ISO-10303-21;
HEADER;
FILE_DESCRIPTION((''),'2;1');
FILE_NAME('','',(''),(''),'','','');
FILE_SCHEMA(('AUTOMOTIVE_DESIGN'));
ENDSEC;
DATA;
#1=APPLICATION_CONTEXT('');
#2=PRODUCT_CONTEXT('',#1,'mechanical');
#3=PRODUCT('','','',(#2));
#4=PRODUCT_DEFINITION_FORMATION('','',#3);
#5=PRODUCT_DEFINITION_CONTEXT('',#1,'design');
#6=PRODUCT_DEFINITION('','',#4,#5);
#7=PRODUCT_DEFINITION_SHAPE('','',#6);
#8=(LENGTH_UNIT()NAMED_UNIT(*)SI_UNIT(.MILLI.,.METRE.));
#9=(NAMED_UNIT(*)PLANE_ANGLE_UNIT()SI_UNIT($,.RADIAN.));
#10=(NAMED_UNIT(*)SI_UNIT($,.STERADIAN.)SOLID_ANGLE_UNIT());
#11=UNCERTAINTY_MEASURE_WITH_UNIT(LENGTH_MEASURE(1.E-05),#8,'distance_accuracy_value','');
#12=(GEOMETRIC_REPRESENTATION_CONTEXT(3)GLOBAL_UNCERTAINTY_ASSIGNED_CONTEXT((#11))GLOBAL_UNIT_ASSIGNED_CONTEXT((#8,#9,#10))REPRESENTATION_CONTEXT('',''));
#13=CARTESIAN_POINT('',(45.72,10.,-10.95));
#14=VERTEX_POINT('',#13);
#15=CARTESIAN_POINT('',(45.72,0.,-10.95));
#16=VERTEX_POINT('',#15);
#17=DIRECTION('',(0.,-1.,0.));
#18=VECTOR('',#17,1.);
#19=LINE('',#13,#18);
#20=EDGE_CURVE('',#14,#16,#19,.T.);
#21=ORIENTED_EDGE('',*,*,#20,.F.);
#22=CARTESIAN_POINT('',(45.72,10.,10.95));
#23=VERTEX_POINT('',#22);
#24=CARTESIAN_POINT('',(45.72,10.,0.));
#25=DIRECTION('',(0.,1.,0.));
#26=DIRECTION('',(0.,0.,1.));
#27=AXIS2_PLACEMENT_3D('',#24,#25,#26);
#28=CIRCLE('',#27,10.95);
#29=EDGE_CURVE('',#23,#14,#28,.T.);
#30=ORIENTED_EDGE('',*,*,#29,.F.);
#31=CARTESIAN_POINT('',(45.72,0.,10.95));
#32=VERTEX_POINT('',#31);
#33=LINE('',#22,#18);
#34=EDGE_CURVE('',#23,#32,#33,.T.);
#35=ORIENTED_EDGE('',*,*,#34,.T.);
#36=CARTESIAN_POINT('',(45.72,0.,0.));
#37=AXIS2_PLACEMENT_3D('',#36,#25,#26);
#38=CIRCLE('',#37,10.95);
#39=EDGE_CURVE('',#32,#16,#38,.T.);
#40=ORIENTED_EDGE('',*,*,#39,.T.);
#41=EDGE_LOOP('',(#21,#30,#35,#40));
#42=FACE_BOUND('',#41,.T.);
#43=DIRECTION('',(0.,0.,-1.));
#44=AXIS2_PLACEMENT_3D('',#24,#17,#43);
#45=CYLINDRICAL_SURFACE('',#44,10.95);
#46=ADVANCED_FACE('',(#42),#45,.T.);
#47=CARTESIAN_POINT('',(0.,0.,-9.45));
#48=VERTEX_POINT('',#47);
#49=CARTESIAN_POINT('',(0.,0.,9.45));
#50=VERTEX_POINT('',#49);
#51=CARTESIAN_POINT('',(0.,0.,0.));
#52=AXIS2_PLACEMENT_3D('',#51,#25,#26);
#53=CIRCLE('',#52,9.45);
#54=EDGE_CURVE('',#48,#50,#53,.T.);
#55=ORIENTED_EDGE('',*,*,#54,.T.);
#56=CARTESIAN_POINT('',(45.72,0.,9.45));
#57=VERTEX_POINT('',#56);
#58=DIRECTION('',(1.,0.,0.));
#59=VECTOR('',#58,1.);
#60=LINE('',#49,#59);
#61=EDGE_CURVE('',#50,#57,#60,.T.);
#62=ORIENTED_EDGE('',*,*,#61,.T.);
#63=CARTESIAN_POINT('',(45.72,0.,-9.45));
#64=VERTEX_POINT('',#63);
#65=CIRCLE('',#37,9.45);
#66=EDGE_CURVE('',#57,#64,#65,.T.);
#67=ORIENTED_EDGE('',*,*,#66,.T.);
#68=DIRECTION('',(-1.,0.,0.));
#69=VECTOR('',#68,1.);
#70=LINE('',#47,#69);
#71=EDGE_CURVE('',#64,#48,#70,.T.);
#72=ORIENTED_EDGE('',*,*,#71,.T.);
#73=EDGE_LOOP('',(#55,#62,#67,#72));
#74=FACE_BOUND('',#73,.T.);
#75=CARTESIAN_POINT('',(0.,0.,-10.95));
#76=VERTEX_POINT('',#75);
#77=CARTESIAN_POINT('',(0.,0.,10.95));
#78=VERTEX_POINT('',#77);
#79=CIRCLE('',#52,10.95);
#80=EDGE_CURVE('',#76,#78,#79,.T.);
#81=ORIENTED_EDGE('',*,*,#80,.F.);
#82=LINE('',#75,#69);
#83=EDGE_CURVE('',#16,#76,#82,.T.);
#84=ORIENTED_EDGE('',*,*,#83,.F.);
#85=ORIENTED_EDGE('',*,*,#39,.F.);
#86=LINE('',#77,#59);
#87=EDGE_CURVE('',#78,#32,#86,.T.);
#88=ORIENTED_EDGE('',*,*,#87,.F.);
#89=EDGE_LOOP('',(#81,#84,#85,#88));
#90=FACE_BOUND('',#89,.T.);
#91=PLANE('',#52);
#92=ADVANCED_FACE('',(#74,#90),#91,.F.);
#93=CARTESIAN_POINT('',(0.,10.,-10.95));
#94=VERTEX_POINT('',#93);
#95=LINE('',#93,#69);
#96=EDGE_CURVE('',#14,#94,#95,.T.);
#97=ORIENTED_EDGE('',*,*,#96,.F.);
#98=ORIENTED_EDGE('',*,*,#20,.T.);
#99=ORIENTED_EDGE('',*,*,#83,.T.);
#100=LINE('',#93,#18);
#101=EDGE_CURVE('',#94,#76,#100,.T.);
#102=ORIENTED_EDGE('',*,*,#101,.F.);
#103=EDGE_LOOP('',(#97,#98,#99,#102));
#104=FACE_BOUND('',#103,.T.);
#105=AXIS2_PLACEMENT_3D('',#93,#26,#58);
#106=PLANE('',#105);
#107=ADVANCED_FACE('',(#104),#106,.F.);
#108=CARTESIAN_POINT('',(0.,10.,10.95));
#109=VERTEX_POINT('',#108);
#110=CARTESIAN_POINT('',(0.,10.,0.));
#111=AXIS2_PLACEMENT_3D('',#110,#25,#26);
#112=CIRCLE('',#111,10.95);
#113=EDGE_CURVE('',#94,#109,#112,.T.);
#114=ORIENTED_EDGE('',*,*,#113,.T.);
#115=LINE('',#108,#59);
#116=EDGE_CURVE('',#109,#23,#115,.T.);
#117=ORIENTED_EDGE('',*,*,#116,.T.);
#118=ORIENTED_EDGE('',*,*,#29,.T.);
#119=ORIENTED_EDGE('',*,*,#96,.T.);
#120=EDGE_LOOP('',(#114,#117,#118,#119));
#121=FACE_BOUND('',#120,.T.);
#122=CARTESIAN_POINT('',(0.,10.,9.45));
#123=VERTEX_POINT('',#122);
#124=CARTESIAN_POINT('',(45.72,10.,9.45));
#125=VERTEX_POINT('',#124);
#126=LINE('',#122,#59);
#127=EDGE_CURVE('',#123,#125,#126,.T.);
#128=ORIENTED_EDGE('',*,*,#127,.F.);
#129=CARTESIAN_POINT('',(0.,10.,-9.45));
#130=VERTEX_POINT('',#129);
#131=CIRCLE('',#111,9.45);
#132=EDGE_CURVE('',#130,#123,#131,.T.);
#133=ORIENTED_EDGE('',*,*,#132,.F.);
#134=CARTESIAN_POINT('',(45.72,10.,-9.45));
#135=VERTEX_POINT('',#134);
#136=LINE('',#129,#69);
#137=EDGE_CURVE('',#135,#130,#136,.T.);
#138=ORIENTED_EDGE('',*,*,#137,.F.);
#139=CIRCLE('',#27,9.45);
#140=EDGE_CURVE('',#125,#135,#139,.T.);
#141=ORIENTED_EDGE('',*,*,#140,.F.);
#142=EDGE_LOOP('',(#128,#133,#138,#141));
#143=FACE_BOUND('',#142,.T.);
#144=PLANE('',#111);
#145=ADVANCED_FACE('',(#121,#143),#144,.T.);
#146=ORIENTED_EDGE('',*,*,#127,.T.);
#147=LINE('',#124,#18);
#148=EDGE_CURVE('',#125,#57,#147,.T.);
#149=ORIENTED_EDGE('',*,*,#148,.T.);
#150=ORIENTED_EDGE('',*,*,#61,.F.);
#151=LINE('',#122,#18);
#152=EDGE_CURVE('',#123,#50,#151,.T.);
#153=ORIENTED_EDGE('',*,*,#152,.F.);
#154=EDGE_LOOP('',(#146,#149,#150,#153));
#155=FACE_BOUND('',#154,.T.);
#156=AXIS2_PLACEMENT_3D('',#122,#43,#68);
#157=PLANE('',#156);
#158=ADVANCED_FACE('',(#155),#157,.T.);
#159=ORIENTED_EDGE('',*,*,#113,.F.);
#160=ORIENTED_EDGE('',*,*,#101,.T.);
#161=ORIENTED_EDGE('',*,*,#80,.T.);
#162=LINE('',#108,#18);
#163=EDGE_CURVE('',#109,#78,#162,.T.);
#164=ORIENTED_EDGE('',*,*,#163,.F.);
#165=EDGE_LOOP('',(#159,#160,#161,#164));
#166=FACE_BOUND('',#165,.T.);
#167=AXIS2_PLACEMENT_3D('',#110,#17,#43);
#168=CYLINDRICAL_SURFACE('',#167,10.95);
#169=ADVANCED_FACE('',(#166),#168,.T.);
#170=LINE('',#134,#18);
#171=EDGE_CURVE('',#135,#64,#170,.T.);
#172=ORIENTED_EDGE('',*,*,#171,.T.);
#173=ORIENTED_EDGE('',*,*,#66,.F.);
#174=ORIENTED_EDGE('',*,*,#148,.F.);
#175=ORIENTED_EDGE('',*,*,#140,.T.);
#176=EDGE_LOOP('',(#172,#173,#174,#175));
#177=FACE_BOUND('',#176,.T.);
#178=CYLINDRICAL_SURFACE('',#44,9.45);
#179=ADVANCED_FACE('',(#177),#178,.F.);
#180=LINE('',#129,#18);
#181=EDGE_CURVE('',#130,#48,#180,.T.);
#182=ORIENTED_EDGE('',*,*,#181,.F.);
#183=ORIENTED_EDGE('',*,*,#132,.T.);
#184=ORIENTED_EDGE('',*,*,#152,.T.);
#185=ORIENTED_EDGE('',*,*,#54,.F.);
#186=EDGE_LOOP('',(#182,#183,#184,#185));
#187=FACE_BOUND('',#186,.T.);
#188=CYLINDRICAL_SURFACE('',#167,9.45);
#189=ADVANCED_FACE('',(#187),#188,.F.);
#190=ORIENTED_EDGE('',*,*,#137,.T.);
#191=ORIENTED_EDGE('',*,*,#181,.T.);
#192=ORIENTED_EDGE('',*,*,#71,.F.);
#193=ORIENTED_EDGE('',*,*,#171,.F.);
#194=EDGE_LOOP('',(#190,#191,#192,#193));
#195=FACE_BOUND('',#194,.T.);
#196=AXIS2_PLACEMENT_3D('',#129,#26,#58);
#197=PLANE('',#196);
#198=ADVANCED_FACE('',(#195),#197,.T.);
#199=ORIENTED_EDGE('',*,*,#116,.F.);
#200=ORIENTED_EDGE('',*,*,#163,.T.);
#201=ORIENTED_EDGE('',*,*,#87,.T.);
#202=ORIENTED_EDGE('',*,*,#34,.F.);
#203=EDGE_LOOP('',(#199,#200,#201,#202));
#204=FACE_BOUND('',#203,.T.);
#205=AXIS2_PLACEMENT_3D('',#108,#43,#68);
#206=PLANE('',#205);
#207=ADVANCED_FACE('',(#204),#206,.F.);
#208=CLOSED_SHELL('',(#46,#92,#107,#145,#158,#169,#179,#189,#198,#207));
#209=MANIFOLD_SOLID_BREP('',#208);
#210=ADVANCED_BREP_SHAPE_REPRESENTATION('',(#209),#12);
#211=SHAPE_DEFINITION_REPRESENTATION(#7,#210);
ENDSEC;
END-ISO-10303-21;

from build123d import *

# Parameters (mm, degrees)
BOSS_EXTRUDE1_DEPTH = 10


with BuildPart() as part:
    # Sketch2 → Boss-Extrude1 (new body)
    with BuildSketch(Plane(origin=(0, 0, 0), x_dir=(1, 0, 0), z_dir=(0, 1, 0))):
        with BuildLine():
            Line((0, 10.95), (45.72, 10.95))
            ThreePointArc((45.72, 10.95), (56.67, 0), (45.72, -10.95))
            Line((45.72, -10.95), (0, -10.95))
            ThreePointArc((0, -10.95), (-10.95, 0), (0, 10.95))
        make_face()
        with BuildLine():
            Line((0, 9.45), (45.72, 9.45))
            ThreePointArc((45.72, 9.45), (55.17, 0), (45.72, -9.45))
            Line((45.72, -9.45), (0, -9.45))
            ThreePointArc((0, -9.45), (-9.45, 0), (0, 9.45))
        make_face(mode=Mode.SUBTRACT)
    extrude(amount=BOSS_EXTRUDE1_DEPTH)


solid = part.part
